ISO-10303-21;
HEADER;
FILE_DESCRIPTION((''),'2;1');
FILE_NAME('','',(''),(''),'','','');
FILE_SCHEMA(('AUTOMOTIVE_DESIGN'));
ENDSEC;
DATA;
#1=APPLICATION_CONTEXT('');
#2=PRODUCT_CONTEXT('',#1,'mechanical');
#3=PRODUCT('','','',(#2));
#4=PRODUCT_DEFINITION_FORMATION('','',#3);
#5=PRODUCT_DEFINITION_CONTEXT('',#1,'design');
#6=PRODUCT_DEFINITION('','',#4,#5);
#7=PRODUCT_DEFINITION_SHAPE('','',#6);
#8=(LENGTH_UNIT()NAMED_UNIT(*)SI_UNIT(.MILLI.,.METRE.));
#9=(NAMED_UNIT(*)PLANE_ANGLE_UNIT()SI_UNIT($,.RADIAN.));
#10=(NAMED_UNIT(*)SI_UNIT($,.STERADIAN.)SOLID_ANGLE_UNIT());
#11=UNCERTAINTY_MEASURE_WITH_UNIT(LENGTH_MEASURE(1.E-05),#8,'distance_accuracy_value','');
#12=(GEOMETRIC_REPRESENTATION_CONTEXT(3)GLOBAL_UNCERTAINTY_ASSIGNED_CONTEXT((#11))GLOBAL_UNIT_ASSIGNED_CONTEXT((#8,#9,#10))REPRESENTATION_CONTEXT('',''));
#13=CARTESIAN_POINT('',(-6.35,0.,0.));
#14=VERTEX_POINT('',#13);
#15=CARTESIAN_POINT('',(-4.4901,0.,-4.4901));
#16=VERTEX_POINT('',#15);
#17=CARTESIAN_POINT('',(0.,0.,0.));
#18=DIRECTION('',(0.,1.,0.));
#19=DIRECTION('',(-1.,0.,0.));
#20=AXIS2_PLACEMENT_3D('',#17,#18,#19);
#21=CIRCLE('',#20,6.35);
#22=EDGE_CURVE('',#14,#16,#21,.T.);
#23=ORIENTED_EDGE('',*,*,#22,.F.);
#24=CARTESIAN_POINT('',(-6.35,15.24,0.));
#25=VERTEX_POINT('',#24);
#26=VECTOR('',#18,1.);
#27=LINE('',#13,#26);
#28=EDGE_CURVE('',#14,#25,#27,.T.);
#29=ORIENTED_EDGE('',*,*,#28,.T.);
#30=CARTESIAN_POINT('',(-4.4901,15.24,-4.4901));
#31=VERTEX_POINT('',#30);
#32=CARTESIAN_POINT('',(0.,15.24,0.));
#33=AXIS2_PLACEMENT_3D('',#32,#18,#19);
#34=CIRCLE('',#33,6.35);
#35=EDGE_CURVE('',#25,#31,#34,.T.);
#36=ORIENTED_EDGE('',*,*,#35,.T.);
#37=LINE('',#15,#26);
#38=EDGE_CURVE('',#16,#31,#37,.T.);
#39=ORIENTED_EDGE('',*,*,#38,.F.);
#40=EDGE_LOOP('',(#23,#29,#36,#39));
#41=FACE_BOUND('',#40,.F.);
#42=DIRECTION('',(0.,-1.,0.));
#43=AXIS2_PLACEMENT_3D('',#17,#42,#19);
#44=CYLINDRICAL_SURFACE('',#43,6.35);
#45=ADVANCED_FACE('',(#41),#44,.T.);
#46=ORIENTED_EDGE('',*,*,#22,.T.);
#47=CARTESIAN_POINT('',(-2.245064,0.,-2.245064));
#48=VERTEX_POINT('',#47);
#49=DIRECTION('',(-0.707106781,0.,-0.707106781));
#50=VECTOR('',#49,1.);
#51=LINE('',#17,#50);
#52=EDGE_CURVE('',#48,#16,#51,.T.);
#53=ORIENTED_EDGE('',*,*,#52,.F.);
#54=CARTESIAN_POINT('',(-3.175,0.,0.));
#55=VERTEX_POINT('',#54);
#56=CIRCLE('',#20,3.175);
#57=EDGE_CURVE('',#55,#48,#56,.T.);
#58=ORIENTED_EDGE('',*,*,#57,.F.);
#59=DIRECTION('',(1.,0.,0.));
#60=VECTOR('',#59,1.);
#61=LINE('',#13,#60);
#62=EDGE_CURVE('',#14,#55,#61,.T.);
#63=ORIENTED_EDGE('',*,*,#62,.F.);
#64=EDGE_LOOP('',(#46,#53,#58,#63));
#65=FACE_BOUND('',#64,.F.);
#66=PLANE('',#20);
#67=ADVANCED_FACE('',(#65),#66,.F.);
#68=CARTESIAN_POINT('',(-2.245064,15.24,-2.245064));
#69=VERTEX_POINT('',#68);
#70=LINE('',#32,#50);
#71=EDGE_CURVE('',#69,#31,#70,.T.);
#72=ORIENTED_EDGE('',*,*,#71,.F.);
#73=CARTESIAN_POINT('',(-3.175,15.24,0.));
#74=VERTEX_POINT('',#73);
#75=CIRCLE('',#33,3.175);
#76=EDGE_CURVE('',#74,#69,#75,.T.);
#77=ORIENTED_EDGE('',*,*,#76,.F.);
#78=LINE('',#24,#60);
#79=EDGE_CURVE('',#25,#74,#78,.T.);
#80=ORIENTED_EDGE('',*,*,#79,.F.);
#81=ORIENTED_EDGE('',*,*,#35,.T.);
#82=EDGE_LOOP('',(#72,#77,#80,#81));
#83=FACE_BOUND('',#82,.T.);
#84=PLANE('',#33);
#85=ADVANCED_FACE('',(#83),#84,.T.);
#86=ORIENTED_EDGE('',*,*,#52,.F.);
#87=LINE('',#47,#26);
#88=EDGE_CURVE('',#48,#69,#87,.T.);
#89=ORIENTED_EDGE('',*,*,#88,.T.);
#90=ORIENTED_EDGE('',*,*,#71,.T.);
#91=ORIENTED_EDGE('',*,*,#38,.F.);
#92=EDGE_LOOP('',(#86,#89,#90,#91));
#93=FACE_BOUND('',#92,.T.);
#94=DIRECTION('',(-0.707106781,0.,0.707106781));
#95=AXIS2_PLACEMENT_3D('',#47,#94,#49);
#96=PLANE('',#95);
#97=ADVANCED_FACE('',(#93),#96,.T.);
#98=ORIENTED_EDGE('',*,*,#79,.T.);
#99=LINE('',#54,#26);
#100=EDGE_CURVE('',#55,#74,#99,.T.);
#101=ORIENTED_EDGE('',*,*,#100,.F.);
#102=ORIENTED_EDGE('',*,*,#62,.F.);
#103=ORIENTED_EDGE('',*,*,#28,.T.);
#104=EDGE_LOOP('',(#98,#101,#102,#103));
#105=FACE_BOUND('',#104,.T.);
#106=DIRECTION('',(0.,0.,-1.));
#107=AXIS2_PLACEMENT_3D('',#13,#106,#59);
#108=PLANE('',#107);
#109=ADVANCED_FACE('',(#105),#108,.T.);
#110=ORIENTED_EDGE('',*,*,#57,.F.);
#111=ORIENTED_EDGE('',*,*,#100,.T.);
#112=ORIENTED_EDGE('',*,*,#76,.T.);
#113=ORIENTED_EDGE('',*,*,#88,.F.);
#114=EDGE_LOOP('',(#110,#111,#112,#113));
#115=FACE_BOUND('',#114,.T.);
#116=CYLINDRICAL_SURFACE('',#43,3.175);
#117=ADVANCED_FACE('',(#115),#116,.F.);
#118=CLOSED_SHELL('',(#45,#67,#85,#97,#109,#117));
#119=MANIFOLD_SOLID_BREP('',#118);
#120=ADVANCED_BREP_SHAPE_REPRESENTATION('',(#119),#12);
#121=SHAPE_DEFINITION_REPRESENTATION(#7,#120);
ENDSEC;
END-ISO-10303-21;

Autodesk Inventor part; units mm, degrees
ref_plane "YZ Plane" through (0, 0, 0) normal (1, 0, 0) x (0, 1, 0)
ref_plane "XZ Plane" through (0, 0, 0) normal (0, 1, 0) x (-1, 0, 0)
ref_plane "XY Plane" through (0, 0, 0) normal (0, 0, 1) x (1, 0, 0)
sketch "Sketch1" plane through (0, 0, 0) normal (0, 1, 0) x (-1, 0, 0)
  circle A0 centre (0, 0) radius 3.175
  circle A1 centre (0, 0) radius 6.35
  line L0 (6.35, 0) -> (0, 0)
  line L1 (0, 0) -> (4.4901, -4.4901)
  point P0 (2.2451, -2.2451)
  point P1 (3.175, 0)
  dimension "d0" = 6.35
  dimension "d1" = 12.7
  dimension "d2" = 45
extrude "Extrusion1" add sketch "Sketch1" along normal blind 15.24 contours A0 L1 A1 L0 picked at (-0.4127, 5.2358)
properties part number "Piston Spacer"
